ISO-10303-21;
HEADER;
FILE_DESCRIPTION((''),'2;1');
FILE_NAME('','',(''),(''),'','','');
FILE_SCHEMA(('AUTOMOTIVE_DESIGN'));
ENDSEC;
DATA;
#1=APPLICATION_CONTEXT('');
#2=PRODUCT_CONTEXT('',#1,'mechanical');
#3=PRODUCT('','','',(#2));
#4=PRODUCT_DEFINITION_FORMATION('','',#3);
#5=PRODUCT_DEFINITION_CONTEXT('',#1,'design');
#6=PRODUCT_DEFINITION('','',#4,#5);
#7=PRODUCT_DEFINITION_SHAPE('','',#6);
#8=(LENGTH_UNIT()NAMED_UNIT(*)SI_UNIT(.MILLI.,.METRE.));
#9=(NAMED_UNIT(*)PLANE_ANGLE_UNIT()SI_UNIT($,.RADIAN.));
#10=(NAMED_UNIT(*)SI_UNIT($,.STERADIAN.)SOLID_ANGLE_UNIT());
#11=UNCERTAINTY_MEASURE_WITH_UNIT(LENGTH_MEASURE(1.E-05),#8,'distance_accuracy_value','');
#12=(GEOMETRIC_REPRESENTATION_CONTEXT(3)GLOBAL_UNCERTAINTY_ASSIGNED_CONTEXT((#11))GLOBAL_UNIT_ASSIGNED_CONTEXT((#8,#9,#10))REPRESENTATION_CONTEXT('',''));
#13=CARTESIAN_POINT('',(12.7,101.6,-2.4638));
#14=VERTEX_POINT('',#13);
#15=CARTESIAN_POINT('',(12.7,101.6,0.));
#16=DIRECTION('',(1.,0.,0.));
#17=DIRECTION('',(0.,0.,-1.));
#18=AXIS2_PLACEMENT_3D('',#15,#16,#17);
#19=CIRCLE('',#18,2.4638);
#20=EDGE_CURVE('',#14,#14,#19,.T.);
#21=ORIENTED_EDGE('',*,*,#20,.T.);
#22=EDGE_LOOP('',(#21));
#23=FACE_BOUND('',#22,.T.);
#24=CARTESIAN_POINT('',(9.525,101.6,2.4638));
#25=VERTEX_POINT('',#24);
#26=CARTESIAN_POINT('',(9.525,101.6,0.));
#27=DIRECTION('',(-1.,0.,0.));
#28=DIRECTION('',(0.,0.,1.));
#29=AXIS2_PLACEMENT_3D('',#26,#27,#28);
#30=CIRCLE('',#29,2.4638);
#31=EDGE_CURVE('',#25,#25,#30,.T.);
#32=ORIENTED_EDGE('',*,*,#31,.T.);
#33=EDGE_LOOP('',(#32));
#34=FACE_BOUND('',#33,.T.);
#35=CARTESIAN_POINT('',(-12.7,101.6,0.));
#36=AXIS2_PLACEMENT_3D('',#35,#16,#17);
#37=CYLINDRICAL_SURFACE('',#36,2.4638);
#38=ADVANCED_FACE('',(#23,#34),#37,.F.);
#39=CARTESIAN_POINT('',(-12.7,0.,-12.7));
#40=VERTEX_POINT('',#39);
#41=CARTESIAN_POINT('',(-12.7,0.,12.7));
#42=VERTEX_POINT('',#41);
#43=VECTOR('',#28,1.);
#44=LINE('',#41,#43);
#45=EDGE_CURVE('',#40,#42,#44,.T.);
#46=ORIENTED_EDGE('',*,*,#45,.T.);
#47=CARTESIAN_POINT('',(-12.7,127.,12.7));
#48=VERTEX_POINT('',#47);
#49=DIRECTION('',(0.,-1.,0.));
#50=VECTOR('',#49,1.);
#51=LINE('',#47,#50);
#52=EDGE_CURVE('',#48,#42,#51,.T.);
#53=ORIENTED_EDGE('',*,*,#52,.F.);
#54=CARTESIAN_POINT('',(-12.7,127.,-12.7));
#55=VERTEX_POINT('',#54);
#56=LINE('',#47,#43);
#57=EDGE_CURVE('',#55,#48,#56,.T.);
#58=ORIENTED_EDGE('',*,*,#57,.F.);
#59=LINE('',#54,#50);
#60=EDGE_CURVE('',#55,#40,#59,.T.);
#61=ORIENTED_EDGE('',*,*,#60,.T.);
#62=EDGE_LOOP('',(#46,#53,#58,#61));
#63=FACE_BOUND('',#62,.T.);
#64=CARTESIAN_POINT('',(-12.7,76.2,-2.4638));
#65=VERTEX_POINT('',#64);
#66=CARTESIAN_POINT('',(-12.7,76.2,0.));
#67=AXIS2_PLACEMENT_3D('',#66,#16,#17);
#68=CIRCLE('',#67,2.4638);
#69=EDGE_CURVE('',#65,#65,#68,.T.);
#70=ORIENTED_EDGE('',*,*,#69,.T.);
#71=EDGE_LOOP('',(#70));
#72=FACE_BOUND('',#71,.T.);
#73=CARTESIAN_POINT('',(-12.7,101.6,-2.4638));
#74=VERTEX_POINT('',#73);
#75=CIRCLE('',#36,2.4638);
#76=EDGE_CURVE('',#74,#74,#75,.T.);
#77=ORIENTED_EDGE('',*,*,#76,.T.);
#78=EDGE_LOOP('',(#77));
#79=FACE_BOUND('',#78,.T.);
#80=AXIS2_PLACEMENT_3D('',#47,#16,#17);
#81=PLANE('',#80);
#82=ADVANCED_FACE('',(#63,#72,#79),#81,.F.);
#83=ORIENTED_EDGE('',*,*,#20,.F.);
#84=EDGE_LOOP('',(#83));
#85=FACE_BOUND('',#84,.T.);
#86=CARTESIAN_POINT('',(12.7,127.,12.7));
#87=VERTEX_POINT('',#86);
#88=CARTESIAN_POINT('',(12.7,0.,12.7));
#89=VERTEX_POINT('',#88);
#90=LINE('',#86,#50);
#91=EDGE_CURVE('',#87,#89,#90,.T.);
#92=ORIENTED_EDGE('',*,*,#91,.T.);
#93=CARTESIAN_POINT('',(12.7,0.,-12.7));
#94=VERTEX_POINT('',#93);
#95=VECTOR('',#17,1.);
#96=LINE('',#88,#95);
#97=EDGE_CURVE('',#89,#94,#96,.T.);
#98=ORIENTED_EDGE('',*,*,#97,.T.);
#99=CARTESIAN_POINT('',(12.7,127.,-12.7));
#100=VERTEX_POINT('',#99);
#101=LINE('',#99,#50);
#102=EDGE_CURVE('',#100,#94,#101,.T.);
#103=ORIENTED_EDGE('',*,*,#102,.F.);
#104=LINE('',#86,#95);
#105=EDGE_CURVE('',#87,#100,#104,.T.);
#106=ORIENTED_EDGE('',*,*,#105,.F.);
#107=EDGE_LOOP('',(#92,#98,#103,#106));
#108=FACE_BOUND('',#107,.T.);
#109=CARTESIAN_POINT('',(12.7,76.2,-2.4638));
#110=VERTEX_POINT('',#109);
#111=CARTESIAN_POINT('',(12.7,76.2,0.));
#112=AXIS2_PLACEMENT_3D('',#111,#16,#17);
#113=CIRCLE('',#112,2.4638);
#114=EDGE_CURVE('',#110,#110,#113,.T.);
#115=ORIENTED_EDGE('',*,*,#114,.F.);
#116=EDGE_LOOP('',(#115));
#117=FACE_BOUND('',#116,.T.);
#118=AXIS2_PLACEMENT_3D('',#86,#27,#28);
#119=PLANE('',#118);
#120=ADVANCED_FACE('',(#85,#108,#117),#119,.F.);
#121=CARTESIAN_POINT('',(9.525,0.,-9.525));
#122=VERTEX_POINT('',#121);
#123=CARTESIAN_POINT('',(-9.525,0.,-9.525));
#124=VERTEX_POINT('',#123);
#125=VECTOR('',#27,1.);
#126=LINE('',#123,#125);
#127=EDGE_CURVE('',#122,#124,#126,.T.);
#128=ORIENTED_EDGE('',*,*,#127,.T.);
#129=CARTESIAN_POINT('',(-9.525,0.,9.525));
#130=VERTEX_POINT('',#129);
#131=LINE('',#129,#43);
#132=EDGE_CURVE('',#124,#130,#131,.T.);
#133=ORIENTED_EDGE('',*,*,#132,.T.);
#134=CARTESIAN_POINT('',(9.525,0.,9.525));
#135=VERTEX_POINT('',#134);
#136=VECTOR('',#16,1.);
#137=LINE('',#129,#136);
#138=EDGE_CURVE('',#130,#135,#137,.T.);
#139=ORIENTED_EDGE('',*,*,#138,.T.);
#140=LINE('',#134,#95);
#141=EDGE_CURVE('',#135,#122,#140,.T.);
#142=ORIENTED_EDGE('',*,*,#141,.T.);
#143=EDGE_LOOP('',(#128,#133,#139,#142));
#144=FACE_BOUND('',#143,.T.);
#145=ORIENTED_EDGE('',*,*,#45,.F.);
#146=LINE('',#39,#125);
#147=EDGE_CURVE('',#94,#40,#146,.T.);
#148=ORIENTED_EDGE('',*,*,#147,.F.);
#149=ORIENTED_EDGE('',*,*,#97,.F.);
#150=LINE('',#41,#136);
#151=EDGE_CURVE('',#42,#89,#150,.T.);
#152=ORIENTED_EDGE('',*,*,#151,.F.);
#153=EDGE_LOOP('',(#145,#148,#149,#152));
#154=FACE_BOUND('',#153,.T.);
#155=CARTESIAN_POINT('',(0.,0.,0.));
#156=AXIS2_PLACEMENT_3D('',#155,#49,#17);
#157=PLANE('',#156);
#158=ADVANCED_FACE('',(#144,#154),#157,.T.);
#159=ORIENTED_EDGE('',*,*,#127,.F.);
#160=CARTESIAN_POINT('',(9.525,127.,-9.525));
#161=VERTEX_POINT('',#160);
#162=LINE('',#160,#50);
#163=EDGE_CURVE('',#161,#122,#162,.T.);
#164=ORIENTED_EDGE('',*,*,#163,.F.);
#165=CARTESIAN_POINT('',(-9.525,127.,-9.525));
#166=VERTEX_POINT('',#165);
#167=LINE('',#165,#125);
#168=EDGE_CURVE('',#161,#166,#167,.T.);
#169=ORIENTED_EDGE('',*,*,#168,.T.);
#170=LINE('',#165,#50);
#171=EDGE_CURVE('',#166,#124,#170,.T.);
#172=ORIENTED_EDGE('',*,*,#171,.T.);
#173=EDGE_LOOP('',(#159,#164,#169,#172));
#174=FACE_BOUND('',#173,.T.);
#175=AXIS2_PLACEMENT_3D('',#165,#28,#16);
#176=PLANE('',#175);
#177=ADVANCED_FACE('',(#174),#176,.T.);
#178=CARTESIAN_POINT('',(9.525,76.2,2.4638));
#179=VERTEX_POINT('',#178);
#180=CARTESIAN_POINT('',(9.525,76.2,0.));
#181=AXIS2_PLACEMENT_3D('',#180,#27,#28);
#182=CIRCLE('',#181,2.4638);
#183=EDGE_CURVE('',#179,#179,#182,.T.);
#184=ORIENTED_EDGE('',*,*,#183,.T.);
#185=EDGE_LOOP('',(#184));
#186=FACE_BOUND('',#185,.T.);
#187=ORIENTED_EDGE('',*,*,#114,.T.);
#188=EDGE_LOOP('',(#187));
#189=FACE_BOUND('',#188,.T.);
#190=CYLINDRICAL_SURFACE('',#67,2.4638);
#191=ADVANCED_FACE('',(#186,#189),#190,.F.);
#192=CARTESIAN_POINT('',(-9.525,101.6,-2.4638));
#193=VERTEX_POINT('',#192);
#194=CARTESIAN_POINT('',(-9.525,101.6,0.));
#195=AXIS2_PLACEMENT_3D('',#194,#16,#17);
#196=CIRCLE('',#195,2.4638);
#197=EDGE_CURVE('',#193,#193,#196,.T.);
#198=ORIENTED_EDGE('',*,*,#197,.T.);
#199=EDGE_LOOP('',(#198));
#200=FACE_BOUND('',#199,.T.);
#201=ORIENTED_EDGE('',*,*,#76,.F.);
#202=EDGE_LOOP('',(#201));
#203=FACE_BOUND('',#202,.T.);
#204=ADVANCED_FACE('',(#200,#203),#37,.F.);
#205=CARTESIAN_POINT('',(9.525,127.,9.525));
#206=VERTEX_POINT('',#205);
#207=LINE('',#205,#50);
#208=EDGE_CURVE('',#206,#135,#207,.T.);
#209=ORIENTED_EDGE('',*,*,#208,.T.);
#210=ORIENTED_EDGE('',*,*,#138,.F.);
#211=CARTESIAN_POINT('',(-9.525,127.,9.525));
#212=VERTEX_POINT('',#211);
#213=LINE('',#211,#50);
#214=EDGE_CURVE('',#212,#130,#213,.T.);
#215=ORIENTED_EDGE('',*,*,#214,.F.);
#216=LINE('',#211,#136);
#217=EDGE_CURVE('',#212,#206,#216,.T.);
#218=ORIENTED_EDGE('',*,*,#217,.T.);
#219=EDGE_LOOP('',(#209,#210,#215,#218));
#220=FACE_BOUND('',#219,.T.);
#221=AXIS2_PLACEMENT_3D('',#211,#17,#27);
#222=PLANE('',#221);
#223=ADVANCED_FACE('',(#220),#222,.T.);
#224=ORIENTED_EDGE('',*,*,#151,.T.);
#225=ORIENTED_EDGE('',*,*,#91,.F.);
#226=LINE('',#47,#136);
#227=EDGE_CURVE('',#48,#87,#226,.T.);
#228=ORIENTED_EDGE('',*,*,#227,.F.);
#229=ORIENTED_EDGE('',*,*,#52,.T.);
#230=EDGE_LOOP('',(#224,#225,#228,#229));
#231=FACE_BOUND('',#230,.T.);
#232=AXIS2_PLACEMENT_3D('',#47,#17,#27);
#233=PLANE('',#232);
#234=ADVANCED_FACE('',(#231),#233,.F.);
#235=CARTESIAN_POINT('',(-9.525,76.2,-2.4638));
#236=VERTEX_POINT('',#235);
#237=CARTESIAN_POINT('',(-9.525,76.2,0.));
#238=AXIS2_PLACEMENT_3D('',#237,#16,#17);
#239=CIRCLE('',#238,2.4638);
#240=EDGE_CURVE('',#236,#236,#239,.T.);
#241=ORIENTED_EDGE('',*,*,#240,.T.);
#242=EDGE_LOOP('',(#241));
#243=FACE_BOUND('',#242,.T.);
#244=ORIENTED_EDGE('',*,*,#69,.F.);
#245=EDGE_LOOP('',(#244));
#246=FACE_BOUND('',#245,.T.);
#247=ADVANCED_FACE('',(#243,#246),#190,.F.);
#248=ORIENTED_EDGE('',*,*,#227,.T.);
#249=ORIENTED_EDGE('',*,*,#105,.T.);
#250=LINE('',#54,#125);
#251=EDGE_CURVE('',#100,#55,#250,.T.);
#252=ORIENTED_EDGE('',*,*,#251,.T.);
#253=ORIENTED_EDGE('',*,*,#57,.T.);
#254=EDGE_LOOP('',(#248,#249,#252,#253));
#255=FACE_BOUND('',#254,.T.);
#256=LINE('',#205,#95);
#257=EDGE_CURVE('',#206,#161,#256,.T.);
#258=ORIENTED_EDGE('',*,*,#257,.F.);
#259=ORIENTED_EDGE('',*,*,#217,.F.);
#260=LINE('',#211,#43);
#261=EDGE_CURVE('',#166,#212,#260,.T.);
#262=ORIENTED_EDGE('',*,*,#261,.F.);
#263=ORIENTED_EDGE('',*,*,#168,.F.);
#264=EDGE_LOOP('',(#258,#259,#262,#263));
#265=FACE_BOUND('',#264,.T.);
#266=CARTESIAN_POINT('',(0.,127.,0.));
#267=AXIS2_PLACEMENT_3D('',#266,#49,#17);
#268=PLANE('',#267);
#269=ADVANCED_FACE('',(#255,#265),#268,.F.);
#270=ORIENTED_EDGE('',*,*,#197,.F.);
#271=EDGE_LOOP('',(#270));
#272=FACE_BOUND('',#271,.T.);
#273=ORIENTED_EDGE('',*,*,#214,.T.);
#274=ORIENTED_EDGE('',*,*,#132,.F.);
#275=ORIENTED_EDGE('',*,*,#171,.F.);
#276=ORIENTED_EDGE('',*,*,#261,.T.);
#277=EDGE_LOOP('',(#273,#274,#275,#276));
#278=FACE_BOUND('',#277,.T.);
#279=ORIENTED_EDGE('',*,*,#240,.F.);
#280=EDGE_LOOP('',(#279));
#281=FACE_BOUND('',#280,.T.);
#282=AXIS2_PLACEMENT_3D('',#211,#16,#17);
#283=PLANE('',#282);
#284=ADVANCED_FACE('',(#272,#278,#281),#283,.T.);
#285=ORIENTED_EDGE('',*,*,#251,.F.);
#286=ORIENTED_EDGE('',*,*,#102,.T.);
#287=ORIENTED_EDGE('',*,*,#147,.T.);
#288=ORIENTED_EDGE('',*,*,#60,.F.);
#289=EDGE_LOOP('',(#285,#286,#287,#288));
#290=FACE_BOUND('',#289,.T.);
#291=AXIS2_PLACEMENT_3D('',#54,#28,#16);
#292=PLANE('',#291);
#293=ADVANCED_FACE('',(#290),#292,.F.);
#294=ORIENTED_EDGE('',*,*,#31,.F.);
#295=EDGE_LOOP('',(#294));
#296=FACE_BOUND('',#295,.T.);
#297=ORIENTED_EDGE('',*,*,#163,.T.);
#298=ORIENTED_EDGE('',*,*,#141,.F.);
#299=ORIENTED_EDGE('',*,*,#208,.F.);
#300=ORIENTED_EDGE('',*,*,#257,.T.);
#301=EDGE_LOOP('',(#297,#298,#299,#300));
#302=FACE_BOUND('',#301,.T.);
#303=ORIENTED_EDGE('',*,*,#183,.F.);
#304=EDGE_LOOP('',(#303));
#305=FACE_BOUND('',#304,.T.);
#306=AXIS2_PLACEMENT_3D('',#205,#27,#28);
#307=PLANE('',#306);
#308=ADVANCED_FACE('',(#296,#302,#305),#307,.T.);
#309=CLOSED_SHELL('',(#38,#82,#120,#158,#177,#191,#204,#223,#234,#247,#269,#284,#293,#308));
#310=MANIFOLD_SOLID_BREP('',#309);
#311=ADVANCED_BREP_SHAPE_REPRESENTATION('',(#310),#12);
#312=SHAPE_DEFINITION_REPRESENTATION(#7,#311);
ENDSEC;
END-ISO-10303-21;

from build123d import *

# Parameters (mm, degrees)
SKETCH1_W           = 25.4
SKETCH1_H           = 25.4
SKETCH1_W_2         = 19.05
SKETCH1_H_2         = 19.05
BOSS_EXTRUDE1_DEPTH = 127
SKETCH2_R           = 2.4638
CUT_EXTRUDE1_DEPTH  = 131.136274728


with BuildPart() as part:
    # Sketch1 → Boss-Extrude1 (new body)
    with BuildSketch(Plane(origin=(0, 0, 0), x_dir=(1, 0, 0), z_dir=(0, 1, 0))):
        Rectangle(SKETCH1_W, SKETCH1_H)
        Rectangle(SKETCH1_W_2, SKETCH1_H_2, mode=Mode.SUBTRACT)
    extrude(amount=BOSS_EXTRUDE1_DEPTH)

    # Sketch2 → Cut-Extrude1 (cut, through all)
    with BuildSketch(Plane(origin=(12.7, 0, 0), x_dir=(0, 0, -1), z_dir=(1, 0, 0))):
        with Locations((0, 101.6)):
            Circle(SKETCH2_R)
        with Locations((0, 76.2)):
            Circle(SKETCH2_R)
    extrude(amount=-CUT_EXTRUDE1_DEPTH, mode=Mode.SUBTRACT)


solid = part.part
